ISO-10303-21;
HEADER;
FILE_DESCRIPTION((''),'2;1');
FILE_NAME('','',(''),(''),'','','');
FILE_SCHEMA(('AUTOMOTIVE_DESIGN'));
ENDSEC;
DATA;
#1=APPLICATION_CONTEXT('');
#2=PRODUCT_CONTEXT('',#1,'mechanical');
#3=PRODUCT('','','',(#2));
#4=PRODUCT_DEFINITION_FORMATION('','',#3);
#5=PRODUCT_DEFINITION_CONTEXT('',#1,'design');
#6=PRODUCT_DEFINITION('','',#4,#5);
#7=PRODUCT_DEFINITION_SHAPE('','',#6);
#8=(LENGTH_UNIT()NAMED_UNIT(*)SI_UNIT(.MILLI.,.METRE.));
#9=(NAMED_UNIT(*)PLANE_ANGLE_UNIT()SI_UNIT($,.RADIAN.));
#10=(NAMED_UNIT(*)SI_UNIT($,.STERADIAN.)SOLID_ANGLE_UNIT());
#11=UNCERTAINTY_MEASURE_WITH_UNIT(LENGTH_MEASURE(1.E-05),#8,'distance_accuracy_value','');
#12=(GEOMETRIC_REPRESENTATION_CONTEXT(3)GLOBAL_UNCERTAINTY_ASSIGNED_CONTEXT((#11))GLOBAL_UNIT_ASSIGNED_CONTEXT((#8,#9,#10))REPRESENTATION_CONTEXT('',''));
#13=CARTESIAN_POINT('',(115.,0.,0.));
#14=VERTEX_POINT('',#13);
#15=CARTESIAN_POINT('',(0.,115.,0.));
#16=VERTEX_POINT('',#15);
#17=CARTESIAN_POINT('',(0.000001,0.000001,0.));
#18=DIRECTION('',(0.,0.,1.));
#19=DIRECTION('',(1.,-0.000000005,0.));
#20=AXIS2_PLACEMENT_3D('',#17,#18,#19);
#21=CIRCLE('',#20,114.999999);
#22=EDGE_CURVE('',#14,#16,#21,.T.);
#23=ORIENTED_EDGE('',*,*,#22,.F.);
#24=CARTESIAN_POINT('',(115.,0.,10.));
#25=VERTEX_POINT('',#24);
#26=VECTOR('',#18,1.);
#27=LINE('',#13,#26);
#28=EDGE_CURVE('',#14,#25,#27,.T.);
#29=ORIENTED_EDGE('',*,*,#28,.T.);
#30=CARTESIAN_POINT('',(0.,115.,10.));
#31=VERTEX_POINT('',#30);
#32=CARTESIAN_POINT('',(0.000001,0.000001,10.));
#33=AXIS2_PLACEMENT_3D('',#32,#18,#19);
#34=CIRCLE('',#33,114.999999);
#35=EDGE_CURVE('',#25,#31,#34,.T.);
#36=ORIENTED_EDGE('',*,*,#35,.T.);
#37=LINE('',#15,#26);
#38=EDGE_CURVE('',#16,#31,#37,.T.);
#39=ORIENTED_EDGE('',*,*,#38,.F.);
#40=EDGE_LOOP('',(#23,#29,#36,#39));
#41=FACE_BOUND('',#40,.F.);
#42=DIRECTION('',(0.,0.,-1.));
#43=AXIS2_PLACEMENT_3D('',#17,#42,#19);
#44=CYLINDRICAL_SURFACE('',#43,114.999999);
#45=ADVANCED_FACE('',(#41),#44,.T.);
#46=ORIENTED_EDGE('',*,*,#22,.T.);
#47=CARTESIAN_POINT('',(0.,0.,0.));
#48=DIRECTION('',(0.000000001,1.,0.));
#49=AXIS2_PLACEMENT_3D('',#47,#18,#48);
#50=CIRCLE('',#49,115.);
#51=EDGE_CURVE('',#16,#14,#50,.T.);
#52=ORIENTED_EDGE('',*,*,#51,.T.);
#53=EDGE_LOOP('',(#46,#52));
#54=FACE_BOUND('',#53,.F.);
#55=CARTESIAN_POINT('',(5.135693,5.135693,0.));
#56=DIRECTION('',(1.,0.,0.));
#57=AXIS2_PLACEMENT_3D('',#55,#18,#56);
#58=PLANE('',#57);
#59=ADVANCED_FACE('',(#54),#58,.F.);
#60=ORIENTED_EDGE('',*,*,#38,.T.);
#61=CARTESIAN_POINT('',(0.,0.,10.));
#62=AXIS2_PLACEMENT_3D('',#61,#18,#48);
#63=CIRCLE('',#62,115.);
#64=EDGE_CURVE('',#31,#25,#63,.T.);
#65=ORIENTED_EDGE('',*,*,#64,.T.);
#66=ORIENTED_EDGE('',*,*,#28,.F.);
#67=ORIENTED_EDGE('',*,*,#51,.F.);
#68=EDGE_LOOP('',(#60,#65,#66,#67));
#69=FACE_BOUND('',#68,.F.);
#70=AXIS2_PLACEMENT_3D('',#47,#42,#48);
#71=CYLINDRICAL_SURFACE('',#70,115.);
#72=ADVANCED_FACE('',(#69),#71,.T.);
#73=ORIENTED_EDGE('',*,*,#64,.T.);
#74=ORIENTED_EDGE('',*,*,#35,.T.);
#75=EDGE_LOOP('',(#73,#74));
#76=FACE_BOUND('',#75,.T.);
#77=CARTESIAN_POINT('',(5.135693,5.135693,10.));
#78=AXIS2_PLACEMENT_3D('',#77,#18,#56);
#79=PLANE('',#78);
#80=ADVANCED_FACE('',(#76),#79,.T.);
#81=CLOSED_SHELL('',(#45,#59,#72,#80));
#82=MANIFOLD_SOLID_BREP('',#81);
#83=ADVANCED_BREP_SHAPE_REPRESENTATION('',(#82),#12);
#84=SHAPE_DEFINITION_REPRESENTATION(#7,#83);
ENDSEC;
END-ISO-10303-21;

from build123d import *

# Parameters (mm, degrees)
F1_DEPTH = 10


with BuildPart() as f1:
    # F0 (on Top) → F1 (new body)
    with BuildSketch(Plane.XY):
        with BuildLine():
            ThreePointArc((115, 0), (81.31728, 81.31728), (0, 115))
            ThreePointArc((0, 115), (-81.31728, -81.31728), (115, 0))
        make_face()
    extrude(amount=F1_DEPTH)


solid = f1.part
